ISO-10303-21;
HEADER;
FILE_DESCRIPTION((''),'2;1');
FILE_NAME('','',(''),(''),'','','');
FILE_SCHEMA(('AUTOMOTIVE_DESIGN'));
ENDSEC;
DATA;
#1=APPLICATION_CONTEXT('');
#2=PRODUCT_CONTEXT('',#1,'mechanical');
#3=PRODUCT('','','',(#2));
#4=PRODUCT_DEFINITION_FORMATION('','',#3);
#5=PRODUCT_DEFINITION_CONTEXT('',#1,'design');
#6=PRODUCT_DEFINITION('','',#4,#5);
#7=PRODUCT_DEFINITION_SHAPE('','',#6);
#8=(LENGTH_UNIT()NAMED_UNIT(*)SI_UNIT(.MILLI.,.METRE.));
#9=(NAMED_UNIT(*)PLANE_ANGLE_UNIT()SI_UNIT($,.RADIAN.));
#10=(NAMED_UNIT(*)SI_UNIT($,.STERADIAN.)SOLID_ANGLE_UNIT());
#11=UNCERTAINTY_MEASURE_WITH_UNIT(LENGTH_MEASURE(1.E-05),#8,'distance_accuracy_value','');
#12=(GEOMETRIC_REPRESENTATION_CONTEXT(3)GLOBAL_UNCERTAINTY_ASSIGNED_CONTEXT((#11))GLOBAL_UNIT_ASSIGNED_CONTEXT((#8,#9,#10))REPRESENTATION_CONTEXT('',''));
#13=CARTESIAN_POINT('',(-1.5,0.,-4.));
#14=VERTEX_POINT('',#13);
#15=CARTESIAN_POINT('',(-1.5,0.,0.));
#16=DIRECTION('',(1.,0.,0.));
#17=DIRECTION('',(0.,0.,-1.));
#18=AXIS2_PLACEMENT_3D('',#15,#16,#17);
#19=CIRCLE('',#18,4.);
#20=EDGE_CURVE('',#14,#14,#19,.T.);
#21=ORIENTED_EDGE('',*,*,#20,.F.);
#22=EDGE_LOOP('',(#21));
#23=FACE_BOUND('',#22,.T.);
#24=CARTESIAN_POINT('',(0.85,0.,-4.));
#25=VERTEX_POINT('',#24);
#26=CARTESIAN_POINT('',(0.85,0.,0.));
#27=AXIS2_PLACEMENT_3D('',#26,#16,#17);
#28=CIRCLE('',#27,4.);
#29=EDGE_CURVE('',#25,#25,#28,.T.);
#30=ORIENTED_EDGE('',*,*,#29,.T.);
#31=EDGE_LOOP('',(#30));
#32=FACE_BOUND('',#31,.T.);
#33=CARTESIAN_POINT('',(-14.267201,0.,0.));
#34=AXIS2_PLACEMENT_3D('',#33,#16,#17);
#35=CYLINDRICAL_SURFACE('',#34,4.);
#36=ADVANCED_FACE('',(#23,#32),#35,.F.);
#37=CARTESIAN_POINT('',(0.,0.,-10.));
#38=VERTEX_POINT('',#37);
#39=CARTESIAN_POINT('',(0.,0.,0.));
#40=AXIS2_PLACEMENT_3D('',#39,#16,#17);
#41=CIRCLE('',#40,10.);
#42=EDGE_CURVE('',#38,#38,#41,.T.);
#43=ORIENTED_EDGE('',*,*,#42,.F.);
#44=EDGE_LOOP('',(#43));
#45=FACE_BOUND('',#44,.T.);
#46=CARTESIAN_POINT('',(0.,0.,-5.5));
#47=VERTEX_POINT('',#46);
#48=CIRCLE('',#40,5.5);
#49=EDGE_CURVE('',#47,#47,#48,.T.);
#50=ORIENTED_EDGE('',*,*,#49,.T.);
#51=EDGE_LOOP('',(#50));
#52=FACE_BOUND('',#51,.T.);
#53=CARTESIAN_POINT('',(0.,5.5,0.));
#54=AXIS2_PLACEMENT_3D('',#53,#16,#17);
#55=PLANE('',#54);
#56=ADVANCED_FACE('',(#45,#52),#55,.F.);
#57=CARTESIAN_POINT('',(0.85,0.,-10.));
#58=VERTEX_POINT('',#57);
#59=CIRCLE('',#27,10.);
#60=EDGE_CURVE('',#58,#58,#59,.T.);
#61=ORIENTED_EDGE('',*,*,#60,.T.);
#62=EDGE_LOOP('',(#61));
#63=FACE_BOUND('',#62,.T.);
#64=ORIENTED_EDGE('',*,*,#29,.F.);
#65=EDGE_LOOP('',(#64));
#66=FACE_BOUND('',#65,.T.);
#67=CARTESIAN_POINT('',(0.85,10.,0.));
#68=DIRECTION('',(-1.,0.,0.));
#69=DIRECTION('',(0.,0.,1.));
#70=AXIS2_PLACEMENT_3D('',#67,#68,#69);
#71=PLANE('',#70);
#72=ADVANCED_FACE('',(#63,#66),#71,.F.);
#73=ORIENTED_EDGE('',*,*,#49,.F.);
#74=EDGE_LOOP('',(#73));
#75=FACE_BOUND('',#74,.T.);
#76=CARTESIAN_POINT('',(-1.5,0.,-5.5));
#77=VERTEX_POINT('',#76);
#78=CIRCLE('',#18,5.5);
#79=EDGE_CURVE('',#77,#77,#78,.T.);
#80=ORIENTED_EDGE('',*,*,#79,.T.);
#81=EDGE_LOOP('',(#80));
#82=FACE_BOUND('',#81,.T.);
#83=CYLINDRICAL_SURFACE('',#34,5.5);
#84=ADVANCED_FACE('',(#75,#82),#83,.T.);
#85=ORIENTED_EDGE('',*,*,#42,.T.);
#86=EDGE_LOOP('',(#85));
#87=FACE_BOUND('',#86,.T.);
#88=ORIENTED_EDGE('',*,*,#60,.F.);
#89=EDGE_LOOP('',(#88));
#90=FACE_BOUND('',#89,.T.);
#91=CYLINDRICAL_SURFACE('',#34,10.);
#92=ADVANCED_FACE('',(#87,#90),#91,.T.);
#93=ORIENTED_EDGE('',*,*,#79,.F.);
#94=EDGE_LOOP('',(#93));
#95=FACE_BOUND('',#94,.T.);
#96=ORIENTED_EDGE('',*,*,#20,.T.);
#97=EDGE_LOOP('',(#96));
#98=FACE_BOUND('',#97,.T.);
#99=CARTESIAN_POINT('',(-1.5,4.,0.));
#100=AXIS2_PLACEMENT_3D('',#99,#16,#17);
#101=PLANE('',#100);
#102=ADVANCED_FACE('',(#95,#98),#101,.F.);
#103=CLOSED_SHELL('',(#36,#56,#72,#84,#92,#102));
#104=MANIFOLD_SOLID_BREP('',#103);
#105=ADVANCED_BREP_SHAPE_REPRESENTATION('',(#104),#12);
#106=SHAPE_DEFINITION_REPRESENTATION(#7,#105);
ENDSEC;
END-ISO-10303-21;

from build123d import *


with BuildPart() as part:
    # Sketch1 → Revolve1 (revolve)
    with BuildSketch(Plane.XY, mode=Mode.PRIVATE) as revolve1_sk:
        Polygon((-1.5, 4), (-1.5, 5.5), (0, 5.5), (0, 10), (0.85, 10), (0.85, 4), align=None)
    revolve(revolve1_sk.sketch.rotate(Axis((-14.267200935, 0, 0), (1, 0, 0)), 270), axis=Axis((-14.267200935, 0, 0), (1, 0, 0)))


solid = part.part
